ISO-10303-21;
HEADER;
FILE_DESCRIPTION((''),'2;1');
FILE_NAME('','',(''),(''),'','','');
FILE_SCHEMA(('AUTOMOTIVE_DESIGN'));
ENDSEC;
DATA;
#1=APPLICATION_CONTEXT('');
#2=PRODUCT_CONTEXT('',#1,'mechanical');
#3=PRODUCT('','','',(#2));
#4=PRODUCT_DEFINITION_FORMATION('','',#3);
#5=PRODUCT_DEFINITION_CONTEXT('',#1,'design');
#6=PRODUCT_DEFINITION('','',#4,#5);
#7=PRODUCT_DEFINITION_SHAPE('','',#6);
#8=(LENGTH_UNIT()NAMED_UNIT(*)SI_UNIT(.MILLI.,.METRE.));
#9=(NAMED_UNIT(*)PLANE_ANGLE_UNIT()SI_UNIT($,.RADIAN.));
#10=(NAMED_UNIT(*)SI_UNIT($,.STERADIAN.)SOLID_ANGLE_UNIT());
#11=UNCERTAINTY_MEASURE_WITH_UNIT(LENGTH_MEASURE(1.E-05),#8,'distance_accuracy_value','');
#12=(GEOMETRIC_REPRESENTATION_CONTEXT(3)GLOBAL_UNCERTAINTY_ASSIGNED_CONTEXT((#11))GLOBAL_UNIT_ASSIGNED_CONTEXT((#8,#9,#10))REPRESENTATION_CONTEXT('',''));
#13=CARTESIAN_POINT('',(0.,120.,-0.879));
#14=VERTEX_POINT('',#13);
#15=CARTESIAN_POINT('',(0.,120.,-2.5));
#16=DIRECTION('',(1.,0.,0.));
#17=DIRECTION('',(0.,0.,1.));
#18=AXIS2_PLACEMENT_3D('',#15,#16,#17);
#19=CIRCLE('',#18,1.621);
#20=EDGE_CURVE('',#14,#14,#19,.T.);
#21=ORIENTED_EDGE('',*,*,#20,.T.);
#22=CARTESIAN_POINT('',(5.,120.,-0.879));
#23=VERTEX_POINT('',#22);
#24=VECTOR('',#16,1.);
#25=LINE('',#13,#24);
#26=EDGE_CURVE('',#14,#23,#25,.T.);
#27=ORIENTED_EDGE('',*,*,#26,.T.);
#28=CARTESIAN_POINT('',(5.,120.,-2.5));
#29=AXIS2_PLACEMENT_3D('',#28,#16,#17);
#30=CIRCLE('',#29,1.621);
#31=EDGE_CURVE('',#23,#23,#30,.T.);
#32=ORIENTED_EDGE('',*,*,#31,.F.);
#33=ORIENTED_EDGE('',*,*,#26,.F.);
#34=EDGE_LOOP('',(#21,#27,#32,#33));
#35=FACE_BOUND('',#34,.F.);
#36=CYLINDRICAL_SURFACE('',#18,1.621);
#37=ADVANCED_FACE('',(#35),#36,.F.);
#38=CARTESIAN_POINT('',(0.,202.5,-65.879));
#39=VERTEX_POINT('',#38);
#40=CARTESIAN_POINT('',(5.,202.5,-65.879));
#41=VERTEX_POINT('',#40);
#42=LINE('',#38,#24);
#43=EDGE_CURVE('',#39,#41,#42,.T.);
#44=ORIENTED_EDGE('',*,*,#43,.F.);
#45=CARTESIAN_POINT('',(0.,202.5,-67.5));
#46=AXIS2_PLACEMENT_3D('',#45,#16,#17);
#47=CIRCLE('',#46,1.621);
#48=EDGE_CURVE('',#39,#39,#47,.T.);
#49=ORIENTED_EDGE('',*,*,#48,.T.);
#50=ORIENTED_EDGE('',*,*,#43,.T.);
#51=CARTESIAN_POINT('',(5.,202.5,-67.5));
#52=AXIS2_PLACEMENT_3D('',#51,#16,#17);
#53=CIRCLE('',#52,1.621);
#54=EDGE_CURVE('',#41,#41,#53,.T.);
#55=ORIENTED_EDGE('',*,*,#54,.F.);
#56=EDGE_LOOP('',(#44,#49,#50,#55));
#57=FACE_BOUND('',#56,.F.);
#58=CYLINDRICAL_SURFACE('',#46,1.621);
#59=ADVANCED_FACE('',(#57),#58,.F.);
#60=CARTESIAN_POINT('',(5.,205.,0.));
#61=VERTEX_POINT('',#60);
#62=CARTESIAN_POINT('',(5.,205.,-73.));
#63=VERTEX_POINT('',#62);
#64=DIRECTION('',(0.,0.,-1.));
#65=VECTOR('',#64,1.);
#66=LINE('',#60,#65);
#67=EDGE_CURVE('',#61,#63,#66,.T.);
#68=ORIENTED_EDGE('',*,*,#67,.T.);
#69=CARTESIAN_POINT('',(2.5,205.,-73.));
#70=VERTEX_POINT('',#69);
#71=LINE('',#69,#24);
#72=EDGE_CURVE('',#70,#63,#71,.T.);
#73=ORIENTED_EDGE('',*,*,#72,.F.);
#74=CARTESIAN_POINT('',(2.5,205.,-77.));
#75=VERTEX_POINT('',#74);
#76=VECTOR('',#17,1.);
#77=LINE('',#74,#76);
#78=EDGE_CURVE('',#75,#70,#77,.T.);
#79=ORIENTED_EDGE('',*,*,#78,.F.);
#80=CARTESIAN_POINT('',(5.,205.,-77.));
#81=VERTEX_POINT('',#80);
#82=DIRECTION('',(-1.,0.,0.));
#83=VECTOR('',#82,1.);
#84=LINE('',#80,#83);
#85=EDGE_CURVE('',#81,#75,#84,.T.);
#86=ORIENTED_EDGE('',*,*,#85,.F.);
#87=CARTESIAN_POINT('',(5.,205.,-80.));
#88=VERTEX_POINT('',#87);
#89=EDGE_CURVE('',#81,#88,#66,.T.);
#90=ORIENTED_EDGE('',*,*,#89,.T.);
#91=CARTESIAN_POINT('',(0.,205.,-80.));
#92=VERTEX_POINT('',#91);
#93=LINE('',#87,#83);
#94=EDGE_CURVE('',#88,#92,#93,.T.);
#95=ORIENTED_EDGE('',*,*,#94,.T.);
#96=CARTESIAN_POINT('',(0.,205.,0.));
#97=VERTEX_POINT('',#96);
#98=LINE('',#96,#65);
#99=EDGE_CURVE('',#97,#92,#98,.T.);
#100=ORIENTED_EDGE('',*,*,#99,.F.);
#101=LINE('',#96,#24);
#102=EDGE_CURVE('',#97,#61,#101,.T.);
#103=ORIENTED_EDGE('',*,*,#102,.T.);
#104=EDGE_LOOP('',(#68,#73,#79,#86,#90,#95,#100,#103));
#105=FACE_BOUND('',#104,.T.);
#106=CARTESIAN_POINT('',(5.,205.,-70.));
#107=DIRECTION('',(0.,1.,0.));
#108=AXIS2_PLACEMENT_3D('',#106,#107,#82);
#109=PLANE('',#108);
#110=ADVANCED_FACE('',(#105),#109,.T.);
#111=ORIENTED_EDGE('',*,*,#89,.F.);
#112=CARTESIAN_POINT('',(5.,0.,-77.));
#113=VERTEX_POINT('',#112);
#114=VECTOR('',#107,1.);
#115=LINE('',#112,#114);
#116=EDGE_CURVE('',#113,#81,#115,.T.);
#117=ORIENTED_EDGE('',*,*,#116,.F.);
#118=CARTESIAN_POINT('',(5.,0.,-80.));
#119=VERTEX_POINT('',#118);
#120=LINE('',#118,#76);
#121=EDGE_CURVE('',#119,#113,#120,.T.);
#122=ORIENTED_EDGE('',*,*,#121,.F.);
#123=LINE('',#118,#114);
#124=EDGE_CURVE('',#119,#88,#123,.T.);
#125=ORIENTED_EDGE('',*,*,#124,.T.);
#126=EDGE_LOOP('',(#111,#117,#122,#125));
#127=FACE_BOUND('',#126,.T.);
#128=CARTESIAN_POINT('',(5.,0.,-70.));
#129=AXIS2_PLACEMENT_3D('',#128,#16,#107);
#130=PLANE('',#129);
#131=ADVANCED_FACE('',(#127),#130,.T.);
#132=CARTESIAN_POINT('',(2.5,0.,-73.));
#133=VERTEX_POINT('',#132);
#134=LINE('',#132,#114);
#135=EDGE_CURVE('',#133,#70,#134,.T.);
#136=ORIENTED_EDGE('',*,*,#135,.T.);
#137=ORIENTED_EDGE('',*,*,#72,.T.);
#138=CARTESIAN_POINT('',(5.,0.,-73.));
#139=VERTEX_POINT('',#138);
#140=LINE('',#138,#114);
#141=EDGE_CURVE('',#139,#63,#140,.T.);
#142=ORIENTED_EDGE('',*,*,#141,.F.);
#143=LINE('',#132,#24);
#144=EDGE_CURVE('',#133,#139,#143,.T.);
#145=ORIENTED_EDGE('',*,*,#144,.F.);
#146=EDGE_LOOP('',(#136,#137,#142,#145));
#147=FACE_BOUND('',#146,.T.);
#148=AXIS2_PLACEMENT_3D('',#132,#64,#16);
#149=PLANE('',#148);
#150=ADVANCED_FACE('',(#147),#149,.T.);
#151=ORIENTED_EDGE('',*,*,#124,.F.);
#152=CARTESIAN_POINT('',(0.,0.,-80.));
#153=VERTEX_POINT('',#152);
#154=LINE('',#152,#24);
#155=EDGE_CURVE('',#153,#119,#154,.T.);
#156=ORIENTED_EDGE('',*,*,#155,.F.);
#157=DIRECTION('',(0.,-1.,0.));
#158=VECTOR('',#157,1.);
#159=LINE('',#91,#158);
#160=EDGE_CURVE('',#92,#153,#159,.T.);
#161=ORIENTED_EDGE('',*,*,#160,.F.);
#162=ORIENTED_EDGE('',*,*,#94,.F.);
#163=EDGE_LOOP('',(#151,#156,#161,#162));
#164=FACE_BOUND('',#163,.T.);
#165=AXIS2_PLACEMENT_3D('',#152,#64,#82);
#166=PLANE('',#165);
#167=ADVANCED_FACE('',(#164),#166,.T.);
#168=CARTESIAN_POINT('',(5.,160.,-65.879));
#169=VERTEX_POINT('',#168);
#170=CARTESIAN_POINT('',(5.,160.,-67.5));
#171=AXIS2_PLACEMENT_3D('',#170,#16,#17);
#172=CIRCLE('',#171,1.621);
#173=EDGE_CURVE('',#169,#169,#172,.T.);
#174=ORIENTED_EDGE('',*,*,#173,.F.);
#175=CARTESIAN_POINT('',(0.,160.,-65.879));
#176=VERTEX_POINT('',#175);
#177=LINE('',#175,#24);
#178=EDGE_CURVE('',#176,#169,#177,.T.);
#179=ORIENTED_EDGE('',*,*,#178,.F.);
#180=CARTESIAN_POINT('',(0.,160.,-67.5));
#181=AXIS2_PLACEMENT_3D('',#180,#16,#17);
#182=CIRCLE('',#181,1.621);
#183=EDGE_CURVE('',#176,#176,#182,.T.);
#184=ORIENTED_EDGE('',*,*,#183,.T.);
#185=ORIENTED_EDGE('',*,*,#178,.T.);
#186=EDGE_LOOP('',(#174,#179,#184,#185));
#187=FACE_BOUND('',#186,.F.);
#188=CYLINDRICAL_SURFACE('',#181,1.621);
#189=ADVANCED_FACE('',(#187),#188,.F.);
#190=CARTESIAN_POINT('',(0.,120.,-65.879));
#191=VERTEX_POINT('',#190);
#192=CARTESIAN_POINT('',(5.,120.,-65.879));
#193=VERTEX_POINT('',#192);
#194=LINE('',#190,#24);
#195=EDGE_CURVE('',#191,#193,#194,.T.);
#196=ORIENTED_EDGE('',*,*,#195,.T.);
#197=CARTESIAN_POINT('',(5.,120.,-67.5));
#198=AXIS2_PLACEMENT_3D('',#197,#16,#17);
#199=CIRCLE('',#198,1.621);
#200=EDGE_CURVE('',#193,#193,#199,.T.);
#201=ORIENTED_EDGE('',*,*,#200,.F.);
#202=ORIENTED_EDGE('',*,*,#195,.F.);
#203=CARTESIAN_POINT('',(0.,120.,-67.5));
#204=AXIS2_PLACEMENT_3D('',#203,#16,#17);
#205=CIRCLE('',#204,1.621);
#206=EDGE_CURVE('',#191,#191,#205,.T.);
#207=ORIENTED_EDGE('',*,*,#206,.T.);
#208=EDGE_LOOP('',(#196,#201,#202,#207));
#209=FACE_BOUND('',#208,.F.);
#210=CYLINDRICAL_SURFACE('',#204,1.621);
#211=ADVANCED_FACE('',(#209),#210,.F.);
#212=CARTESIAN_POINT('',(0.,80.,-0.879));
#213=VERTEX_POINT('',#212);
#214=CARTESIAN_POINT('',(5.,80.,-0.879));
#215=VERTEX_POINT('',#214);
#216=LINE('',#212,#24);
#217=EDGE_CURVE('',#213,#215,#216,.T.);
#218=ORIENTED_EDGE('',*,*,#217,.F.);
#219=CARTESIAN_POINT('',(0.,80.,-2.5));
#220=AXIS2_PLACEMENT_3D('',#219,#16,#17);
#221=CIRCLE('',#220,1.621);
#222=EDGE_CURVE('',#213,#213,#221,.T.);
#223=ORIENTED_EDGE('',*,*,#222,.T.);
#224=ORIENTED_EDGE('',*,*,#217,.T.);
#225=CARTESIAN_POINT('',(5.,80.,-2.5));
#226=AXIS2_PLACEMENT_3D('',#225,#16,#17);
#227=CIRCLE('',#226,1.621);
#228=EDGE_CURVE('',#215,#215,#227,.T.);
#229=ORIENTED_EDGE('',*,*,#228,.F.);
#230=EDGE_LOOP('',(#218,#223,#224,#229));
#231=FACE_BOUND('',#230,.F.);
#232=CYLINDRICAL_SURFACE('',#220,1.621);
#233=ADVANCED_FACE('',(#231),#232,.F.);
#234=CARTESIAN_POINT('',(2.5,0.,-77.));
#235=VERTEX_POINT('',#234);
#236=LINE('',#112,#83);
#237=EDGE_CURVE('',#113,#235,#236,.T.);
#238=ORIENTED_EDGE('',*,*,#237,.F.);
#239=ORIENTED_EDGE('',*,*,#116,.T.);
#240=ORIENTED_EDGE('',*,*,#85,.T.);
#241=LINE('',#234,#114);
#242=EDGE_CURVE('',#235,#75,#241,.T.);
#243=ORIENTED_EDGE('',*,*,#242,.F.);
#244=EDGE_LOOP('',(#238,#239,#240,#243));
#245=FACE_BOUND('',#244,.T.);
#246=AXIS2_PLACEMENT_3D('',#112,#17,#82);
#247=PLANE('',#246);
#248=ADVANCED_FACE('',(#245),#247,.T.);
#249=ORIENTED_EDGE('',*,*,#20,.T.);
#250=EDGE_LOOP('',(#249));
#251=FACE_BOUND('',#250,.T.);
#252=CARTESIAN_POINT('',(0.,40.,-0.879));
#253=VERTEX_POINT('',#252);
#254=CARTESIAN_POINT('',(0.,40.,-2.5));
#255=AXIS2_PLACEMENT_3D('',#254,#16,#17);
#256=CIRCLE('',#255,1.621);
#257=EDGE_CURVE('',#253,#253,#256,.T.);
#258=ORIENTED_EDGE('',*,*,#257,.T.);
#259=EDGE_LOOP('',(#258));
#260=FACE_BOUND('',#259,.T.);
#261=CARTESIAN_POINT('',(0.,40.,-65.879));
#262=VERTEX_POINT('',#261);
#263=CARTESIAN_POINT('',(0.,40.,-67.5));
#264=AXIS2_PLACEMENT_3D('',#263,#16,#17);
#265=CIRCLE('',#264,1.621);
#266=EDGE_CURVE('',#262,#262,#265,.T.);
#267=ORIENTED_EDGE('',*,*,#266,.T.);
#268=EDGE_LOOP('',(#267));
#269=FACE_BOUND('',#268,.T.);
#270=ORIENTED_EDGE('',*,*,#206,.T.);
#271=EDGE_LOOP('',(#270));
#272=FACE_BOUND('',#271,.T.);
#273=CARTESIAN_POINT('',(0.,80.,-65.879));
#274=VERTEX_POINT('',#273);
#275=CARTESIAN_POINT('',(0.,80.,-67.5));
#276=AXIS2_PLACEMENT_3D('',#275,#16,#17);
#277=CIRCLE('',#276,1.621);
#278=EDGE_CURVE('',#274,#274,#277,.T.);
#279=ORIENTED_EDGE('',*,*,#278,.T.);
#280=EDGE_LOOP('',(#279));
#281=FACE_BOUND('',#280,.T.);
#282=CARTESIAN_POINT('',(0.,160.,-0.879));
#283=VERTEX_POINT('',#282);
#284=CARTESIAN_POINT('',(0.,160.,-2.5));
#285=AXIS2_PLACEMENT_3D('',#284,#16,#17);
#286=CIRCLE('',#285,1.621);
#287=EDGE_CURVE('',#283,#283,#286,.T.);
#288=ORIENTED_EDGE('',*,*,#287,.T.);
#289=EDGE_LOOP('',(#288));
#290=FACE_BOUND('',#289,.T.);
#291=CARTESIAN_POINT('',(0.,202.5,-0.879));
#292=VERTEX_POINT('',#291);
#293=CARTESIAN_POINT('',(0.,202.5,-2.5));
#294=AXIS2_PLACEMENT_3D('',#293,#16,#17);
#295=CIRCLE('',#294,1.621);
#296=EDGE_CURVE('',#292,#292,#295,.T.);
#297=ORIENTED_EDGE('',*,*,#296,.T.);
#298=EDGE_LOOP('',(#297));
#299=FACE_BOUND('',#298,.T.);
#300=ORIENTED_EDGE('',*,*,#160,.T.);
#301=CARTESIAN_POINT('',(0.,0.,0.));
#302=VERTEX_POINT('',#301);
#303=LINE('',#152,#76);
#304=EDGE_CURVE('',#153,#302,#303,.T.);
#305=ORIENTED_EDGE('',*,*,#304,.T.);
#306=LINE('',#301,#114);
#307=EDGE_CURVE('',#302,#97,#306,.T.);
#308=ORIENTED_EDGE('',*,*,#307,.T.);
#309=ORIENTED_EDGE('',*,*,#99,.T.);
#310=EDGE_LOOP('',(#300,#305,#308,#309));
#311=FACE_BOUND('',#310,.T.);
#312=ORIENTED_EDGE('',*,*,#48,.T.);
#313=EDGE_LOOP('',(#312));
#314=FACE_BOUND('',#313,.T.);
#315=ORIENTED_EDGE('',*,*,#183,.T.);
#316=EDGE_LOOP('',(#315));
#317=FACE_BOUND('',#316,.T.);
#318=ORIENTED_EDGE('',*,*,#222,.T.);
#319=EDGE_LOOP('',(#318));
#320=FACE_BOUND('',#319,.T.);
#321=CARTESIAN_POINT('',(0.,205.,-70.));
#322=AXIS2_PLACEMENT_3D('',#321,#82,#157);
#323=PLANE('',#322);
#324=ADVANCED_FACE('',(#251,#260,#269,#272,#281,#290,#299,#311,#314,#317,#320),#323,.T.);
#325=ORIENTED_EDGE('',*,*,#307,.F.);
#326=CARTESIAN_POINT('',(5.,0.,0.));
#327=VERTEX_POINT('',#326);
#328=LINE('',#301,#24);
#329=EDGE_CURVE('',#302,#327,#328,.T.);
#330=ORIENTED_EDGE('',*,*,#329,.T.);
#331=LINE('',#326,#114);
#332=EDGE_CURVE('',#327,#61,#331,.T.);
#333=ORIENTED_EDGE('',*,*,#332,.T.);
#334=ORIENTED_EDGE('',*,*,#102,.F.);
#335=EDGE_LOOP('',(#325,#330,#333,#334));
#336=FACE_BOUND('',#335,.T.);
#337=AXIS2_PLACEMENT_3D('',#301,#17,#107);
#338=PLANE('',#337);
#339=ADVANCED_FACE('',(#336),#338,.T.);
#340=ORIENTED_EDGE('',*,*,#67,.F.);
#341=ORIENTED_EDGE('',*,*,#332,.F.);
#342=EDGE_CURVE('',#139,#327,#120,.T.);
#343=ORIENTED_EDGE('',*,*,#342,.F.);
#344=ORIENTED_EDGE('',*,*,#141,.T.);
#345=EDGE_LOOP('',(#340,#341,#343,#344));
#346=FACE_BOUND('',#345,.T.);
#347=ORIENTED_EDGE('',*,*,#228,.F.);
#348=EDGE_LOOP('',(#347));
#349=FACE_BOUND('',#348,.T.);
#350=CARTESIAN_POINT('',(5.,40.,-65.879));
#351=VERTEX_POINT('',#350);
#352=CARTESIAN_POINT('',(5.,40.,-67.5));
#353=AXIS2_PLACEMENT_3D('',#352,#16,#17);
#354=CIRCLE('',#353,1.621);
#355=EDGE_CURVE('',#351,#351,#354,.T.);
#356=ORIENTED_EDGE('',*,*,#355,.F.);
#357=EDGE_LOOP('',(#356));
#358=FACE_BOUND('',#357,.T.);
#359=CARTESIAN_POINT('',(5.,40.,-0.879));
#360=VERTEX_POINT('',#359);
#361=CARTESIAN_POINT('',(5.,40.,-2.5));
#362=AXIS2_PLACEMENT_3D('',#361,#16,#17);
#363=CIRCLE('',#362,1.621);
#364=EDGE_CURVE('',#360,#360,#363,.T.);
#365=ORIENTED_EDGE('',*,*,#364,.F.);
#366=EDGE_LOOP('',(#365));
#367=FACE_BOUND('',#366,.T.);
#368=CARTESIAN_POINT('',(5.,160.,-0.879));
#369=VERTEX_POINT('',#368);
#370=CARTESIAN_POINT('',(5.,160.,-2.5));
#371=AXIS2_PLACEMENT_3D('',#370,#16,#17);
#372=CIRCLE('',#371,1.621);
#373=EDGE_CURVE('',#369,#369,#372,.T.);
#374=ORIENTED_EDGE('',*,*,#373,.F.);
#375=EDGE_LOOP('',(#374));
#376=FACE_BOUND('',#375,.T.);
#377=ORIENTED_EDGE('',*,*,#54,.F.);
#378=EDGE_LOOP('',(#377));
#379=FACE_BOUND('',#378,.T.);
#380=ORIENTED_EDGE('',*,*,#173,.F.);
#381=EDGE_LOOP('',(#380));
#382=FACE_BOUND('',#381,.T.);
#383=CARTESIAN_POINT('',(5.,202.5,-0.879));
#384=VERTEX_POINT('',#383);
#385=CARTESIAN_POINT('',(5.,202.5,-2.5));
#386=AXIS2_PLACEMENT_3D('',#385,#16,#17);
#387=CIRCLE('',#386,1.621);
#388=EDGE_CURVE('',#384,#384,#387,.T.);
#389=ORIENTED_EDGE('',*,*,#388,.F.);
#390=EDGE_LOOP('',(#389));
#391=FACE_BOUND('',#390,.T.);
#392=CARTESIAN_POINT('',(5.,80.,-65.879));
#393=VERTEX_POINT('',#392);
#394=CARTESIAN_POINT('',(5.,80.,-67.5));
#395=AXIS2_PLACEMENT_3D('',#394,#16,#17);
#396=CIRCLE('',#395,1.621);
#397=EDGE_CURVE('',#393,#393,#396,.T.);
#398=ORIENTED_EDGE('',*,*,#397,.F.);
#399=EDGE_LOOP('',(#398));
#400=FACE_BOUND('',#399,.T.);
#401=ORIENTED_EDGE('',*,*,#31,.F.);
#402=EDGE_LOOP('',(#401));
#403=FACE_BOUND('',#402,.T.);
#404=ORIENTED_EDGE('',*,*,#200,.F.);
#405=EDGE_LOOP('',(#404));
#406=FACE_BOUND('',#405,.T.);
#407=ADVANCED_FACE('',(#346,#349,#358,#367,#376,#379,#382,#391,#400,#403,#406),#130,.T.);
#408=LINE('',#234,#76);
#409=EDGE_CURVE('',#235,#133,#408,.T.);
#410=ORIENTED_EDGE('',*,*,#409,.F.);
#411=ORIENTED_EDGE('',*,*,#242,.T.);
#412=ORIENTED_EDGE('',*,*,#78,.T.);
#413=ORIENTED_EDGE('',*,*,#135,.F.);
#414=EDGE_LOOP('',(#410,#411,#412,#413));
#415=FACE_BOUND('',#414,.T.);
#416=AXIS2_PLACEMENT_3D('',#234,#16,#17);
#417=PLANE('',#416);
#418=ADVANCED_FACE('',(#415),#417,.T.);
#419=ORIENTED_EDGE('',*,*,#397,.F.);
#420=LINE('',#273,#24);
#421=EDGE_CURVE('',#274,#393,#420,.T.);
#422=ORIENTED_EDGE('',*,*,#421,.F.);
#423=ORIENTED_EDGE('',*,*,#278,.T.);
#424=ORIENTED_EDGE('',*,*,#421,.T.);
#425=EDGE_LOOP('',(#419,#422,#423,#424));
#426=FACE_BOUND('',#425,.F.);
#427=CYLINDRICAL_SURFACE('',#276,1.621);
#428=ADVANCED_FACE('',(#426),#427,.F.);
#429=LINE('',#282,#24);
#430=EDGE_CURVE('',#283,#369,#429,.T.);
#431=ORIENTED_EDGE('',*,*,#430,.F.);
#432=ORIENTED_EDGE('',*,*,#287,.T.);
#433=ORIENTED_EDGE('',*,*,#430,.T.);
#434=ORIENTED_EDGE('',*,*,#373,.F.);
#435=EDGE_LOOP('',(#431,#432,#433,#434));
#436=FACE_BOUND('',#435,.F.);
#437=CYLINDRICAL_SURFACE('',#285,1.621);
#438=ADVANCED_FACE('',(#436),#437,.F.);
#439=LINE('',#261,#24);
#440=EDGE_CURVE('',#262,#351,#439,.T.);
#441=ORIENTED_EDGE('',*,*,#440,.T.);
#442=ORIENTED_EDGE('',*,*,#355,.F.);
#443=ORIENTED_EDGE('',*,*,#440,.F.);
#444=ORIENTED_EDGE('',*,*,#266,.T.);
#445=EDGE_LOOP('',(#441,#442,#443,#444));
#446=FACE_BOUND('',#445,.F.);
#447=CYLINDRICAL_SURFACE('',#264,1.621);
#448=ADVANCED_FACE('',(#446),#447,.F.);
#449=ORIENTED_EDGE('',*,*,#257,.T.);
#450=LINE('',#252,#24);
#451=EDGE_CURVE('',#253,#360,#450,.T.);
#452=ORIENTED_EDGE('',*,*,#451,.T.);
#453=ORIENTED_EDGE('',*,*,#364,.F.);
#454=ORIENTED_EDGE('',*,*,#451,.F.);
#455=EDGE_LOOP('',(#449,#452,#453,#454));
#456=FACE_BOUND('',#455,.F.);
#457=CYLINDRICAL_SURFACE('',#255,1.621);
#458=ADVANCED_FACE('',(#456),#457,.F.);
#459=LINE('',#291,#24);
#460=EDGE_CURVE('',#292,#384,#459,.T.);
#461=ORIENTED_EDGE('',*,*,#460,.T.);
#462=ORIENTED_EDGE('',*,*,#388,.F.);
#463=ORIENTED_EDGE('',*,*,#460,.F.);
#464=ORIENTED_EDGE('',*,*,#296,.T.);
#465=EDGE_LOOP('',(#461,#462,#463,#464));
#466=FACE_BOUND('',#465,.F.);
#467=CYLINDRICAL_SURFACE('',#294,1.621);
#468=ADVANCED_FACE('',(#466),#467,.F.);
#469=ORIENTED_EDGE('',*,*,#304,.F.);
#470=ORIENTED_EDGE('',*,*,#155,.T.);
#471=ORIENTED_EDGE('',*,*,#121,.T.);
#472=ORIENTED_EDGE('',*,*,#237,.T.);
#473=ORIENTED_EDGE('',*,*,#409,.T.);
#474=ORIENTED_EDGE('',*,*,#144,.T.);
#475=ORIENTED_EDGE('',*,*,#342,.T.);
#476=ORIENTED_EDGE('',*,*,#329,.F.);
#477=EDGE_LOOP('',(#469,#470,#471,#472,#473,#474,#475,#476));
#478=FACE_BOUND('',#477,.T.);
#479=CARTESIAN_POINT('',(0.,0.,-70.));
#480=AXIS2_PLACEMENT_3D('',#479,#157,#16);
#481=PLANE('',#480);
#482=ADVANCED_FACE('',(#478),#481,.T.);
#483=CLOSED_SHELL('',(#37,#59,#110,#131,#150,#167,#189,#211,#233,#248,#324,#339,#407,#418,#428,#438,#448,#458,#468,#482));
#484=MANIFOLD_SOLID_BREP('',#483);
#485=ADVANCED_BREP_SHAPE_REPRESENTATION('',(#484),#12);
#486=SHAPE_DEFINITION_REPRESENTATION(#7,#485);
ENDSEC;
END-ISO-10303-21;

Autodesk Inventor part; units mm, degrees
ref_plane "YZ Plane" through (0, 0, 0) normal (1, 0, 0) x (0, 1, 0)
ref_plane "XZ Plane" through (0, 0, 0) normal (0, 1, 0) x (-1, 0, 0)
ref_plane "XY Plane" through (0, 0, 0) normal (0, 0, 1) x (1, 0, 0)
sketch "Sketch1" plane through (0, 0, 0) normal (1, 0, 0) x (0, 1, 0)
  line L0 (0, 0) -> (205, 0)
  line L1 (205, 0) -> (205, -70)
  line L2 (205, -70) -> (0, -70)
  line L3 (0, -70) -> (0, 0)
  circle A0 centre (40, -2.5) radius 1
  circle A1 centre (80, -2.5) radius 1
  circle A2 centre (120, -2.5) radius 1
  circle A3 centre (160, -2.5) radius 1
  line L4 (0, 0) -> (0, 5)
  circle A4 centre (202.5, -2.5) radius 1.1944
  line L5 (0, -35) -> (205, -35) construction
  point P0 (40, -67.5)
  point P1 (80, -67.5)
  point P2 (120, -67.5)
  point P3 (160, -67.5)
  point P4 (202.5, -67.5)
  dimension "d0" = 205
  dimension "d1" = 70
  dimension "d2" = 2
  dimension "d3" = 2
  dimension "d4" = 2
  dimension "d5" = 2
  dimension "d7" = 40
  dimension "d8" = 40
  dimension "d9" = 40
  dimension "d10" = 2.5
  dimension "d11" = 40
  dimension "d12" = 2.5
extrude "Extrusion1" add sketch "Sketch1" along normal blind 5 contours L0 L1 L2 L3 | A0 | A1 | A2 | A3 | A4
hole "Hole1" at (0, 202.5, -67.5) at (0, 160, -67.5) at (0, 120, -67.5) at (0, 80, -67.5) at (0, 40, -67.5) at (0, 40, -2.5) at (0, 80, -2.5) at (0, 120, -2.5) at (0, 160, -2.5) at (0, 202.5, -2.5) direction (1, 0, 0) diameter 3.242 depth 11.8 thread size "M4x0.7" class "6H" standard "ANSI Metric M Profile"
sketch "Sketch2" plane through (0, 0, -70) normal (0, 0, -1) x (-1, 0, 0)
  line L0 (0, 205) -> (0, 0) projected
  line L1 (-5, 205) -> (0, 205)
  line L2 (0, 205) -> (0, 0)
  line L3 (0, 0) -> (-5, 0)
  line L4 (-5, 0) -> (-5, 205)
extrude "Extrusion2" add sketch "Sketch2" along normal blind 10
sketch "Sketch3" plane through (0, 0, 0) normal (0, -1, 0) x (1, 0, 0)
  line L0 (5, 0) -> (5, -80) projected
  line L1 (5, -80) -> (5, -70)
  line L2 (5, -77) -> (2.5, -77)
  line L3 (2.5, -77) -> (2.5, -73)
  line L4 (2.5, -73) -> (5, -73)
  line L5 (5, -80) -> (0, -80) projected
  point P0 (0, 0)
  dimension "d24" = 10
  dimension "d25" = 2.5
  dimension "d26" = 4
  dimension "d27" = 3
extrude "Extrusion3" cut sketch "Sketch3" against normal up to surface (205 mm away)
properties part number "SidePanel"
